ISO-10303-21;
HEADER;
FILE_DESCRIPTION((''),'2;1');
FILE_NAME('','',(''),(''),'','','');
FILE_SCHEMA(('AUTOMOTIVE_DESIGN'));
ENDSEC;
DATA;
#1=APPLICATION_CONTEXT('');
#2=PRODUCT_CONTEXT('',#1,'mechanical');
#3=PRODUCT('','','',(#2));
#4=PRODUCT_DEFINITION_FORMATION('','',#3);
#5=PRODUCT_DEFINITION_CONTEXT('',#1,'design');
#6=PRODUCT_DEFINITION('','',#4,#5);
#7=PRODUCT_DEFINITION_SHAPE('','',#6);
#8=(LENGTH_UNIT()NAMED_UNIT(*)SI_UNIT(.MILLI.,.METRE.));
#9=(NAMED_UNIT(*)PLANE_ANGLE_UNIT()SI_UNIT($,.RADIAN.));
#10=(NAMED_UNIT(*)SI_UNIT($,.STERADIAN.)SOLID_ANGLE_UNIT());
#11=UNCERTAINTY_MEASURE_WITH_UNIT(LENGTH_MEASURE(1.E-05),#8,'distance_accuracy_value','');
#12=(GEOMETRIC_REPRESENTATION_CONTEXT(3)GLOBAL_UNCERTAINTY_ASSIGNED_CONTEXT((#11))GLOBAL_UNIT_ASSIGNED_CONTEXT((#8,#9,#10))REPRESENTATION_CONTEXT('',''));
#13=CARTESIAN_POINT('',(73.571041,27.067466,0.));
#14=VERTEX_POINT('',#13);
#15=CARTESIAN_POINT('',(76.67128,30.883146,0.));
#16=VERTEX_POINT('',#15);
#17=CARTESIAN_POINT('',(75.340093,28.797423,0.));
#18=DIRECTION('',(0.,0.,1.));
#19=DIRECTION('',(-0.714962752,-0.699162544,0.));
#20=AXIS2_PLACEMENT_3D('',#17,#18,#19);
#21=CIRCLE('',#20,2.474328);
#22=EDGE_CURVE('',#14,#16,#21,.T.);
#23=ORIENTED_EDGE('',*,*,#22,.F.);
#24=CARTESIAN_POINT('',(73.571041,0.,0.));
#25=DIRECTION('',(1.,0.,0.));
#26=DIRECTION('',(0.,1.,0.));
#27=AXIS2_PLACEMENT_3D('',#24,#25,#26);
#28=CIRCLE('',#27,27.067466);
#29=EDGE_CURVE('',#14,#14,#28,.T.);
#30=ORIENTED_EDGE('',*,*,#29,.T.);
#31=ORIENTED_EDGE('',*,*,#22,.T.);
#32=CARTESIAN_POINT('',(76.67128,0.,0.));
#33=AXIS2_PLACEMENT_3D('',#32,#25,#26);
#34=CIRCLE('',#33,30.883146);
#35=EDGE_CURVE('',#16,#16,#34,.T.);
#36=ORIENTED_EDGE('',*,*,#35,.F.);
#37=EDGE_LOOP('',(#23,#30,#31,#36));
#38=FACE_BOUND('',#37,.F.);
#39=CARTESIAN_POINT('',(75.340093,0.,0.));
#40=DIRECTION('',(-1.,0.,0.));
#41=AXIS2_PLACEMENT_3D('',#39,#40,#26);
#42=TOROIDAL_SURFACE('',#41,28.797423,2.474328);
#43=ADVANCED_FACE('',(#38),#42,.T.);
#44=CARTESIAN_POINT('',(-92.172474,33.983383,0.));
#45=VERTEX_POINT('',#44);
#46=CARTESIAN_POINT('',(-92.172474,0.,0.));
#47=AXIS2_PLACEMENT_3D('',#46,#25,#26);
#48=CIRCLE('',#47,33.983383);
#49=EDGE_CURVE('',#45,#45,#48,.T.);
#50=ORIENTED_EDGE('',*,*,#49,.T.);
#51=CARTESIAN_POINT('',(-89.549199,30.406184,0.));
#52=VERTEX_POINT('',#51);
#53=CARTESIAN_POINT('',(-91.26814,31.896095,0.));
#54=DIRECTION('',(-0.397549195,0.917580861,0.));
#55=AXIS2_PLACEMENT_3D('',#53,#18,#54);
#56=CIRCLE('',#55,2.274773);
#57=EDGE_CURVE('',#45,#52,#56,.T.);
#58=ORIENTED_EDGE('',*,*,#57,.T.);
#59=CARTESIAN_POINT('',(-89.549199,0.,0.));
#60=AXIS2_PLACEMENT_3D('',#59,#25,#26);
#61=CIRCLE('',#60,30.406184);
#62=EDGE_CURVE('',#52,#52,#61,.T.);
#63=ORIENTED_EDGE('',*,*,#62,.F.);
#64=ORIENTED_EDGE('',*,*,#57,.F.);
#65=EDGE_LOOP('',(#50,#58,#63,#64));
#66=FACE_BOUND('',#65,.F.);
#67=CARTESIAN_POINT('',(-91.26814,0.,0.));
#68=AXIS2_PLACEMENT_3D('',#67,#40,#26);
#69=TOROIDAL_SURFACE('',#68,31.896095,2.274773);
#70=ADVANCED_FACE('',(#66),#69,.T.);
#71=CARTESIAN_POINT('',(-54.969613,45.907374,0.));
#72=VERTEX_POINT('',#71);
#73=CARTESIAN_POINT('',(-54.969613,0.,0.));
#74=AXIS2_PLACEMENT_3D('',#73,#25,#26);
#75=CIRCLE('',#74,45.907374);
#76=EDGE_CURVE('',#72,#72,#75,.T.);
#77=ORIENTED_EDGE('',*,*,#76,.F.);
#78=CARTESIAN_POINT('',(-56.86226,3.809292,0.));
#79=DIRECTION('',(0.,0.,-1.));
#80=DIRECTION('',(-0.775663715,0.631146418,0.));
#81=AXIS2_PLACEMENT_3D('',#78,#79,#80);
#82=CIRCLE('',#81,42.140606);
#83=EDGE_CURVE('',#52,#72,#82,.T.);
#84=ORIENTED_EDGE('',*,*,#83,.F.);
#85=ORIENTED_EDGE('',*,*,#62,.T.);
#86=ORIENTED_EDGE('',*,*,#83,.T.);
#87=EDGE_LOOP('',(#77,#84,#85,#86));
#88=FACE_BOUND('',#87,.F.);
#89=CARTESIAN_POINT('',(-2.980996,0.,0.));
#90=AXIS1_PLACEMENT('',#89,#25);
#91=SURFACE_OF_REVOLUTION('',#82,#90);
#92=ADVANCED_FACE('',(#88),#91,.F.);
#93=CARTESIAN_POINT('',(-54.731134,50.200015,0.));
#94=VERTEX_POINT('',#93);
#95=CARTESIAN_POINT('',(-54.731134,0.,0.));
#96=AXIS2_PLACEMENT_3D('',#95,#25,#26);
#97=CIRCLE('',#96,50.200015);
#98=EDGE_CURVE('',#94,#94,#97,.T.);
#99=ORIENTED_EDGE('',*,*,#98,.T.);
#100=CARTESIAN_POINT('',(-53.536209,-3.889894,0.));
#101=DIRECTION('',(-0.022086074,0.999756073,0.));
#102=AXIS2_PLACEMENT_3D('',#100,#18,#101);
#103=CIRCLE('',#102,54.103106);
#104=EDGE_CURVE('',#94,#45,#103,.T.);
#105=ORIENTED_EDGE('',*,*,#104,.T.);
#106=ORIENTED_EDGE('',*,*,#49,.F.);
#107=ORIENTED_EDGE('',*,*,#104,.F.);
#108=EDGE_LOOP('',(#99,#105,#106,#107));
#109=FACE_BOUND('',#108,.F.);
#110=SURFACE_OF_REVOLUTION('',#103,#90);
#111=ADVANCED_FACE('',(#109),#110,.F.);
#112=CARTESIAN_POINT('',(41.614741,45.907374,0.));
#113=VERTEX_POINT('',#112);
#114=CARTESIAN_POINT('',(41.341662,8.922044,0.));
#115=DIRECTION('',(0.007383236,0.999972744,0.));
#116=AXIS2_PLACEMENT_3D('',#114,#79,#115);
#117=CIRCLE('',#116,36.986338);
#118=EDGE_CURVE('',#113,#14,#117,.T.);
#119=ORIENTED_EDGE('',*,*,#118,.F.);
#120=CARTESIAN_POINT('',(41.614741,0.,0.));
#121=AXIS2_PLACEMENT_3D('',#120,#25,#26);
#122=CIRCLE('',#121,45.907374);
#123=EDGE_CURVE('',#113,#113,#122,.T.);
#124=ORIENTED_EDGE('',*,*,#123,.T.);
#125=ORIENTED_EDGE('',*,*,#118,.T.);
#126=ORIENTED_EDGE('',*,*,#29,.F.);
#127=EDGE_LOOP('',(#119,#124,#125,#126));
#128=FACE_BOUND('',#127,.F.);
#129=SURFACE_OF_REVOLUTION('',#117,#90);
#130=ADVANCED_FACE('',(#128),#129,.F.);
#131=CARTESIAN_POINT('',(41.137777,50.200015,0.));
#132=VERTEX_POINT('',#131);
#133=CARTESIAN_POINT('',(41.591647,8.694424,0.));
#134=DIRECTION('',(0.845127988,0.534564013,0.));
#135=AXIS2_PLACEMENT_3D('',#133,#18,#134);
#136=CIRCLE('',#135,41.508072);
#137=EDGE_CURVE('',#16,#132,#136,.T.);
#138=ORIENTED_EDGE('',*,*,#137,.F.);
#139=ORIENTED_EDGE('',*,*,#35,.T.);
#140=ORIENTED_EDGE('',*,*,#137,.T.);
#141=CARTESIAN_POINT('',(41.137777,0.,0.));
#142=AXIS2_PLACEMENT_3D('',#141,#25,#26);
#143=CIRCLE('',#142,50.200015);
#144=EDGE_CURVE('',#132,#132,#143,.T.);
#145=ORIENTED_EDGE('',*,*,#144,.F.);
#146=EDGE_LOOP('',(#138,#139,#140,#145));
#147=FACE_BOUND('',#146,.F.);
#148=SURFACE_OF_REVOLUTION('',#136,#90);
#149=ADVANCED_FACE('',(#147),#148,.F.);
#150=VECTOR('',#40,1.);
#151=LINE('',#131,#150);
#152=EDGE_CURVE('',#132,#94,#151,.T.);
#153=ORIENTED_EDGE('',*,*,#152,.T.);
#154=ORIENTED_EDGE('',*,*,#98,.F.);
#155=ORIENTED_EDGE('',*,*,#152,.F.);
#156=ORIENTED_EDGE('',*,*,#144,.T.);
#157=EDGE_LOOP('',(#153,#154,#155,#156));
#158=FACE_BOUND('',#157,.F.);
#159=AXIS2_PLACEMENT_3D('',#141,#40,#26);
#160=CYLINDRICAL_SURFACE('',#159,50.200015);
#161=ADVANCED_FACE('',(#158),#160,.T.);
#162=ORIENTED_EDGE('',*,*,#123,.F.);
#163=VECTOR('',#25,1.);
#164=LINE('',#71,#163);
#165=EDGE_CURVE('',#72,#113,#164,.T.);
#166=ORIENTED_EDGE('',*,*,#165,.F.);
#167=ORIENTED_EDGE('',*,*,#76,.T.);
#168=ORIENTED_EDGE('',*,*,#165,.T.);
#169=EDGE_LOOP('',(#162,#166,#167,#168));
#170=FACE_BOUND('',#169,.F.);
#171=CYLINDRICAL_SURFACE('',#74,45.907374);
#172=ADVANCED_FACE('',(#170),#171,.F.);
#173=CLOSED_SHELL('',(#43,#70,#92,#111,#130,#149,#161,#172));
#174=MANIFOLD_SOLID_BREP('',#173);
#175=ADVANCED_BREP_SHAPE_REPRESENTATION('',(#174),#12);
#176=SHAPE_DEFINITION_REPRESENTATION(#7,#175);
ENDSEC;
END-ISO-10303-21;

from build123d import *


with BuildPart() as f1:
    # F0 (on Top) → F1 (revolve)
    with BuildSketch(Plane.XY):
        with BuildLine():
            Line((41.137777, 50.200015), (-54.731134, 50.200015))
            ThreePointArc((-54.731134, 50.200015), (-75.039132, 45.75656), (-92.172474, 33.983383))
            ThreePointArc((-92.172474, 33.983383), (-93.102529, 30.550878), (-89.549199, 30.406184))
            ThreePointArc((-89.549199, 30.406184), (-74.10012, 42.262989), (-54.969613, 45.907374))
            Line((-54.969613, 45.907374), (41.614741, 45.907374))
            ThreePointArc((41.614741, 45.907374), (60.125644, 40.783482), (73.571041, 27.067466))
            ThreePointArc((73.571041, 27.067466), (77.260454, 27.237131), (76.67128, 30.883146))
            ThreePointArc((76.67128, 30.883146), (61.41641, 45.162202), (41.137777, 50.200015))
        make_face()
    revolve(axis=Axis((-2.980996, 0, 0), (1, 0, 0)))


solid = f1.part
